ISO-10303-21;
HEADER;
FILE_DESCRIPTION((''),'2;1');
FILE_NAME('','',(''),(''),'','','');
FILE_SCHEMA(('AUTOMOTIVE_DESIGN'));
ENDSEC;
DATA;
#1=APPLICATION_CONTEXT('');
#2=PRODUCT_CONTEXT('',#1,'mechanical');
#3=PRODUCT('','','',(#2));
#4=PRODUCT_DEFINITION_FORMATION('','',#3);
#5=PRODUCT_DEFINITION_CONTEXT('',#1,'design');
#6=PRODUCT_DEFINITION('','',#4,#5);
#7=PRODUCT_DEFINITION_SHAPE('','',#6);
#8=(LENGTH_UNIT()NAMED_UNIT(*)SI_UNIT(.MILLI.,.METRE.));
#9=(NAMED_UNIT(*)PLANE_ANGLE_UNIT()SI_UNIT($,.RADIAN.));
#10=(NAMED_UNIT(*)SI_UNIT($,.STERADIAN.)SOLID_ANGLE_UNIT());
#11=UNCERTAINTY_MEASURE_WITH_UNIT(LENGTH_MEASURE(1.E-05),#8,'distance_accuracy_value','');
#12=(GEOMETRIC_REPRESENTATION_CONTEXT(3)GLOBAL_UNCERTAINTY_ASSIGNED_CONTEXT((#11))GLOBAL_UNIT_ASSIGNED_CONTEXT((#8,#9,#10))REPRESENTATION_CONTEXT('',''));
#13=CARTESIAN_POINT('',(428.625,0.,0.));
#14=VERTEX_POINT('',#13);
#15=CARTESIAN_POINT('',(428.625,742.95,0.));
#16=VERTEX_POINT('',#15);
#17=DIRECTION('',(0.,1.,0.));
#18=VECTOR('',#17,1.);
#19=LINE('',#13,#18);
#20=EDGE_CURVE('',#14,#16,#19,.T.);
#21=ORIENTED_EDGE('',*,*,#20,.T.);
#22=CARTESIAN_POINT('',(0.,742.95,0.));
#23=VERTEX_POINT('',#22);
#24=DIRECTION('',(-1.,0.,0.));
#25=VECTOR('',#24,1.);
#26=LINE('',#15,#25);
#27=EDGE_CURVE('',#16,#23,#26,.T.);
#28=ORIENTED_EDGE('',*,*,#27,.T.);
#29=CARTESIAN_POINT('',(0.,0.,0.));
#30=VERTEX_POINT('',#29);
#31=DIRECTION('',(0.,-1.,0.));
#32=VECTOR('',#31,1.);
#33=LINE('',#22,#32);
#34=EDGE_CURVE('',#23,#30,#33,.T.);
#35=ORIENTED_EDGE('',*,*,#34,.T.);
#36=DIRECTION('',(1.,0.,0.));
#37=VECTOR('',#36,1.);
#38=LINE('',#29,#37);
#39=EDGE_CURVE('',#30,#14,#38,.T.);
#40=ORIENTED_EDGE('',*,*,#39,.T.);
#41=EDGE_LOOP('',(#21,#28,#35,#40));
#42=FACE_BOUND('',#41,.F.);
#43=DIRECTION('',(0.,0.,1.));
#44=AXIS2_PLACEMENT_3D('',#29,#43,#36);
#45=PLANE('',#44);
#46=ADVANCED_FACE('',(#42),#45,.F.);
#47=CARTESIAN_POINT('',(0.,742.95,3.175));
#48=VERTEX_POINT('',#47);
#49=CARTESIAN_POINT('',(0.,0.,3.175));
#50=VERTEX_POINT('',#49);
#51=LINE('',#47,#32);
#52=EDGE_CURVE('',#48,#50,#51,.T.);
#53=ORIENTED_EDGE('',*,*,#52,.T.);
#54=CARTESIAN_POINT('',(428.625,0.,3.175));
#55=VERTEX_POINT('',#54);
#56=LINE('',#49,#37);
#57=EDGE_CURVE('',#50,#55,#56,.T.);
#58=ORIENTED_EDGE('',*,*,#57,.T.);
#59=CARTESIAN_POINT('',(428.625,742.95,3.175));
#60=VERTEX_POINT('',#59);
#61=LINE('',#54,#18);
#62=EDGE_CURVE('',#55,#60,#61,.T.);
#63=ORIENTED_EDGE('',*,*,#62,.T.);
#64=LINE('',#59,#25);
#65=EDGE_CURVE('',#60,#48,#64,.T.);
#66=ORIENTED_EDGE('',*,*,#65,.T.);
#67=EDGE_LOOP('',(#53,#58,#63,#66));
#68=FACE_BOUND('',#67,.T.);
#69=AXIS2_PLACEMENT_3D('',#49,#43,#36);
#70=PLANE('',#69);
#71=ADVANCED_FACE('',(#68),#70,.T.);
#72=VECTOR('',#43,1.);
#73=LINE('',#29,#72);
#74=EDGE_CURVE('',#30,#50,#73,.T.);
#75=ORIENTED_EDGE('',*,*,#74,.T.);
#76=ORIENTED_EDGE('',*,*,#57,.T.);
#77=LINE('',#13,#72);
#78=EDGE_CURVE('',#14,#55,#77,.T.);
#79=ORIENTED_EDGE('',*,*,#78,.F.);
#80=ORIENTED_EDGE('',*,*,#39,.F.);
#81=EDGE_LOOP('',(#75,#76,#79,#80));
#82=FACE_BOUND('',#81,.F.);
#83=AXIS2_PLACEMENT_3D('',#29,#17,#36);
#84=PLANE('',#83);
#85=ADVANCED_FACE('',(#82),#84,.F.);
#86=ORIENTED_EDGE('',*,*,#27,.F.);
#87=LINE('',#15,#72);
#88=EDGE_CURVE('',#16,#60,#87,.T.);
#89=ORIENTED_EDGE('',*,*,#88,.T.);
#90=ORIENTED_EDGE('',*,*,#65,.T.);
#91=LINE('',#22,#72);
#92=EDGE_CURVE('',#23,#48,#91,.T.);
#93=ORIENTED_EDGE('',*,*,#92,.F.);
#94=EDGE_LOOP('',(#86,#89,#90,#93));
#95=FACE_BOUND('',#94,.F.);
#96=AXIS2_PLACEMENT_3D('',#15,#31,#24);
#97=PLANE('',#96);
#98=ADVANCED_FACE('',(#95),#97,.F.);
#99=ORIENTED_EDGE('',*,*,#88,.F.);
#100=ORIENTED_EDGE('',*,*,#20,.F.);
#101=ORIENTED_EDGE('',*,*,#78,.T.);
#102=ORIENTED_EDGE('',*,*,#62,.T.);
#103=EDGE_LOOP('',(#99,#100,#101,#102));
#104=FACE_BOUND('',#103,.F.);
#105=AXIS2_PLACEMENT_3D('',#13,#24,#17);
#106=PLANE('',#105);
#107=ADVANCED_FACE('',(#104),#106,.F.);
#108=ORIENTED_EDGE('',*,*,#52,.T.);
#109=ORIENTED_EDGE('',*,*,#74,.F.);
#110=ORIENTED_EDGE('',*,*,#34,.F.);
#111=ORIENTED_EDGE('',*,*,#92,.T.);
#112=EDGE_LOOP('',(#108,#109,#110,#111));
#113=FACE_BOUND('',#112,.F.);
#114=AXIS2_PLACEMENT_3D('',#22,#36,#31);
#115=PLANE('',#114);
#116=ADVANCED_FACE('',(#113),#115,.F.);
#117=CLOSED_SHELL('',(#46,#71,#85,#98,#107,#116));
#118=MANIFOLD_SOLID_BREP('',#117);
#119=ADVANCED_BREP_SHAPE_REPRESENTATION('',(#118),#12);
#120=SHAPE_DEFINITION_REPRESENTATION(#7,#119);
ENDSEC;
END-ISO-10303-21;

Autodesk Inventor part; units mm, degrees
ref_plane "YZ Plane" through (0, 0, 0) normal (1, 0, 0) x (0, 1, 0)
ref_plane "XZ Plane" through (0, 0, 0) normal (0, 1, 0) x (-1, 0, 0)
ref_plane "XY Plane" through (0, 0, 0) normal (0, 0, 1) x (1, 0, 0)
sketch "Sketch1" plane through (0, 0, 0) normal (0, 0, 1) x (1, 0, 0)
  line L0 (0, 0) -> (428.625, 0)
  line L1 (428.625, 0) -> (428.625, 742.95)
  line L2 (428.625, 742.95) -> (0, 742.95)
  line L3 (0, 742.95) -> (0, 0)
  dimension "d0" = 742.95
  dimension "d1" = 428.625
extrude "Extrusion1" add sketch "Sketch1" along normal blind 3.175
properties part number "Glass Sheet" material "Glass"
